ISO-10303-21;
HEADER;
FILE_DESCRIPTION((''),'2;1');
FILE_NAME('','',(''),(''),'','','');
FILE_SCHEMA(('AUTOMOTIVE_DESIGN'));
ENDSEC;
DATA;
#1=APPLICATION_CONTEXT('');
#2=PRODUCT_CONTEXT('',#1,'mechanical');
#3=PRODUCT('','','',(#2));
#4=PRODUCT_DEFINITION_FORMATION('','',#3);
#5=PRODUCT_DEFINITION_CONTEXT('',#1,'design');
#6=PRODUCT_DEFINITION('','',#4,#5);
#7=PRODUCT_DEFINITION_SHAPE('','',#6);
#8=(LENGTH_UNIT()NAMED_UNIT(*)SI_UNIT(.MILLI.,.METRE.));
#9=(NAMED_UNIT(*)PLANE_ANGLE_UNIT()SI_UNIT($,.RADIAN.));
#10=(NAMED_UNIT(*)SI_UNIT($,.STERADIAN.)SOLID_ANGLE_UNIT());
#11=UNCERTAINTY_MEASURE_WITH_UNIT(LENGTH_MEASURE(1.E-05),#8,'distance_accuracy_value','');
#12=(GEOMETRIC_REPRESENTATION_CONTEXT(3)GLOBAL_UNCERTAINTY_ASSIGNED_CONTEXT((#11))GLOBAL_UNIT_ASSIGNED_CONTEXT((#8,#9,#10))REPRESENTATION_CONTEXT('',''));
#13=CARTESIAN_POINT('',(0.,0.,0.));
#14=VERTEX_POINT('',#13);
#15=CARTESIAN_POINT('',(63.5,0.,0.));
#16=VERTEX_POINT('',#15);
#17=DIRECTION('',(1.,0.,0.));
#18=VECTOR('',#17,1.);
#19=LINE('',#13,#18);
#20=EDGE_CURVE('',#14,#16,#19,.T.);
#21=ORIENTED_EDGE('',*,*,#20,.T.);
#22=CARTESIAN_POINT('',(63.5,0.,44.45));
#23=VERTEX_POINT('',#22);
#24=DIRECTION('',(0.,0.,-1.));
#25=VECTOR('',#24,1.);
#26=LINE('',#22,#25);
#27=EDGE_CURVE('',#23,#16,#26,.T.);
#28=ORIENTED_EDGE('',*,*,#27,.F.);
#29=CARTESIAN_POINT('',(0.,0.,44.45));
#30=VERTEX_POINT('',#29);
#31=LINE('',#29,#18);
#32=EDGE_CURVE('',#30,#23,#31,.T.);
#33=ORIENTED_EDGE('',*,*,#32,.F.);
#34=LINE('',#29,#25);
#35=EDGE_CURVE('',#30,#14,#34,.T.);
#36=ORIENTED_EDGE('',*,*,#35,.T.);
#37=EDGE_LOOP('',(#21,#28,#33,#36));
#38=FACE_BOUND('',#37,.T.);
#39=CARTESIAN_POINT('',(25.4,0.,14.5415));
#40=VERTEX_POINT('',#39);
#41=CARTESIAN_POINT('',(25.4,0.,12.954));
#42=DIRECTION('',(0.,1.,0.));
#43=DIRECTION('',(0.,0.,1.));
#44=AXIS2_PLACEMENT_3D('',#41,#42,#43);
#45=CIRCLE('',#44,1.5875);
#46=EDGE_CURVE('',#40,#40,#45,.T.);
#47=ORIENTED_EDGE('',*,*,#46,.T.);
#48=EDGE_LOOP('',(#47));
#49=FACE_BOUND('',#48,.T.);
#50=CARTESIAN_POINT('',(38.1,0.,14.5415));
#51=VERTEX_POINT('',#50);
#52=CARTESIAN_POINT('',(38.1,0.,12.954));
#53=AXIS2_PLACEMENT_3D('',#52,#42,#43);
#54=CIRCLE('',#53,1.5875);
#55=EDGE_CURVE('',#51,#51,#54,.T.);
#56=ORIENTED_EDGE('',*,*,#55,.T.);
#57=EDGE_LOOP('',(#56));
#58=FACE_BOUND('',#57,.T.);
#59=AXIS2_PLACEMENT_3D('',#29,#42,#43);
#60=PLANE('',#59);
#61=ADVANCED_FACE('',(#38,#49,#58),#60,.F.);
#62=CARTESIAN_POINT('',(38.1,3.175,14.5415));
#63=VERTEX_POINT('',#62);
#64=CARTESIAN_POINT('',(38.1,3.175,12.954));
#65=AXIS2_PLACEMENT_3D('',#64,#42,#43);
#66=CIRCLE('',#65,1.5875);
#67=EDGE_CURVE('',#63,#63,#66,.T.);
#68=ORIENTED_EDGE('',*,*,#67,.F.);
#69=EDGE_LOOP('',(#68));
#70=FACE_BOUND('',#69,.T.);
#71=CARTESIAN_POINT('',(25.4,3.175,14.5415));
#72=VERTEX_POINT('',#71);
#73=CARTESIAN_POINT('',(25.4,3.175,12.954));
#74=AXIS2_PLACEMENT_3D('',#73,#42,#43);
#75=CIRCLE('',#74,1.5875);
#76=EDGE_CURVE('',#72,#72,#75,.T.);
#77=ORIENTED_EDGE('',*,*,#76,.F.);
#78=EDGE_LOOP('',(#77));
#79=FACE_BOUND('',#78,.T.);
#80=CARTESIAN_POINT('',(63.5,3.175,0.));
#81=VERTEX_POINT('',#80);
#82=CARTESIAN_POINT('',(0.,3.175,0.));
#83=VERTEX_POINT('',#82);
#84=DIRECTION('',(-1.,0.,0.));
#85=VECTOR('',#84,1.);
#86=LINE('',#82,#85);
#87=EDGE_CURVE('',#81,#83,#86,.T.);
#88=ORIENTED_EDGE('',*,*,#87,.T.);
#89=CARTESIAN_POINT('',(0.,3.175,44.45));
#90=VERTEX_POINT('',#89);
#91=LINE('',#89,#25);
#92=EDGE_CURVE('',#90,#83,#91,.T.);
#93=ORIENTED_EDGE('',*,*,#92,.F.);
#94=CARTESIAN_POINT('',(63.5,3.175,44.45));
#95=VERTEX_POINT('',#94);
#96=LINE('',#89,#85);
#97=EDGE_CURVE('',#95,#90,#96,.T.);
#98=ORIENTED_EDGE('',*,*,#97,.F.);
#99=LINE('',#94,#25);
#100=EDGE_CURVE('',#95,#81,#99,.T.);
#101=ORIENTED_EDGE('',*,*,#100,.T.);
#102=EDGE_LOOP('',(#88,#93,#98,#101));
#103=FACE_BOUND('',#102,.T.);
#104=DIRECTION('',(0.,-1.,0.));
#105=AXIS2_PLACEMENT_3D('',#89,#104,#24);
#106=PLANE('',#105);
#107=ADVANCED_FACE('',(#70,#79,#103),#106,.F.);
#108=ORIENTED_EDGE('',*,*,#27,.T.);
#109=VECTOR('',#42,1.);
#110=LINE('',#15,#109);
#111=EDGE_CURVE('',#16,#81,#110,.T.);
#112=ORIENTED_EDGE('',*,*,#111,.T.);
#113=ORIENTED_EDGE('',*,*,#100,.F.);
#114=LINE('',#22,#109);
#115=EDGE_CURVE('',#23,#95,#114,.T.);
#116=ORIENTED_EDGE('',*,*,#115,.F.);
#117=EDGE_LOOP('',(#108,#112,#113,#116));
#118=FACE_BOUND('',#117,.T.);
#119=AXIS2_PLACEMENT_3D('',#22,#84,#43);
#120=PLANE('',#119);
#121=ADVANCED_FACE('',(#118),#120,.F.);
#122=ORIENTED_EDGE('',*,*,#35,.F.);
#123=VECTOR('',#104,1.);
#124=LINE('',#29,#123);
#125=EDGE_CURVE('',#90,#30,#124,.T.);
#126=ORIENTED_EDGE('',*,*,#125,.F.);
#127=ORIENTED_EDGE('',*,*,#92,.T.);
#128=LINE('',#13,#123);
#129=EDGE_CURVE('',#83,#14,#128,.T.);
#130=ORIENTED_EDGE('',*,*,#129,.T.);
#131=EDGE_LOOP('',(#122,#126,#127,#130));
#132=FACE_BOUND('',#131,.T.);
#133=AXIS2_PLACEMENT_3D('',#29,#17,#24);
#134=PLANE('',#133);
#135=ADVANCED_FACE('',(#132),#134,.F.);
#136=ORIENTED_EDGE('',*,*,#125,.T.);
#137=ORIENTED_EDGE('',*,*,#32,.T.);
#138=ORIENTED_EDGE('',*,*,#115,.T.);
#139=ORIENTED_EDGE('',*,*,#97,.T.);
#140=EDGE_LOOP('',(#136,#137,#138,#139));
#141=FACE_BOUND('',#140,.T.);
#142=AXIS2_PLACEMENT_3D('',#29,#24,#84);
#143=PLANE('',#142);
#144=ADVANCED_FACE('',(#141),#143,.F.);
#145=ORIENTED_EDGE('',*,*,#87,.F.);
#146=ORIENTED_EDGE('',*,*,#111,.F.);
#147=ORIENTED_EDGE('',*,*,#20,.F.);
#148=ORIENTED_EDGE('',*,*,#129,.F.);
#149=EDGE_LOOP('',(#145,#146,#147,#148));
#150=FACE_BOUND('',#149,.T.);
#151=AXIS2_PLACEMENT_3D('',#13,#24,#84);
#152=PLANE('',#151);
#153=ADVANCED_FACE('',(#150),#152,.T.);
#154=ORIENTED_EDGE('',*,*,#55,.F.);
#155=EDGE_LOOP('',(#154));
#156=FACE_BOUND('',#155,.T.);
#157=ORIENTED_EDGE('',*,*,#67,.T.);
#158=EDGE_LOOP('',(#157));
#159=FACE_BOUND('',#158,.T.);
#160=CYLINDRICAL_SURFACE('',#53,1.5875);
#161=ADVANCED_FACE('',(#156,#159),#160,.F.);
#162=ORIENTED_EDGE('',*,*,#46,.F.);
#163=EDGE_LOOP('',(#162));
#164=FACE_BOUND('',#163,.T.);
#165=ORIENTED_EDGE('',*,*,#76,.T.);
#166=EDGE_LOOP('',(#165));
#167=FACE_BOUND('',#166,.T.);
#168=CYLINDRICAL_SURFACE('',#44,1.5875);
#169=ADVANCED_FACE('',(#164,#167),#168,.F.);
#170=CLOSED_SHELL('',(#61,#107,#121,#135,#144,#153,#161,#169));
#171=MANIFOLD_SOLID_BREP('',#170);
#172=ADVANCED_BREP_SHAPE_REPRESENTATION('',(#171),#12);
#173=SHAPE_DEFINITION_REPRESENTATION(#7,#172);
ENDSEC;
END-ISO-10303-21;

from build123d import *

# Parameters (mm, degrees)
SKETCH1_W           = 63.5
SKETCH1_H           = 3.175
BOSS_EXTRUDE1_DEPTH = 44.45
SKETCH2_R           = 1.5875
CUT_EXTRUDE1_DEPTH  = 4.175


with BuildPart() as part:
    # Sketch1 → Boss-Extrude1 (new body)
    with BuildSketch(Plane.XY):
        with Locations((31.75, 1.5875)):
            Rectangle(SKETCH1_W, SKETCH1_H)
    extrude(amount=BOSS_EXTRUDE1_DEPTH)

    # Sketch2 → Cut-Extrude1 (cut, through all)
    with BuildSketch(Plane(origin=(0, 3.175, 0), x_dir=(1, 0, 0), z_dir=(0, 1, 0))):
        with Locations((25.4, -12.954)):
            Circle(SKETCH2_R)
        with Locations((38.1, -12.954)):
            Circle(SKETCH2_R)
    extrude(amount=-CUT_EXTRUDE1_DEPTH, mode=Mode.SUBTRACT)


solid = part.part
